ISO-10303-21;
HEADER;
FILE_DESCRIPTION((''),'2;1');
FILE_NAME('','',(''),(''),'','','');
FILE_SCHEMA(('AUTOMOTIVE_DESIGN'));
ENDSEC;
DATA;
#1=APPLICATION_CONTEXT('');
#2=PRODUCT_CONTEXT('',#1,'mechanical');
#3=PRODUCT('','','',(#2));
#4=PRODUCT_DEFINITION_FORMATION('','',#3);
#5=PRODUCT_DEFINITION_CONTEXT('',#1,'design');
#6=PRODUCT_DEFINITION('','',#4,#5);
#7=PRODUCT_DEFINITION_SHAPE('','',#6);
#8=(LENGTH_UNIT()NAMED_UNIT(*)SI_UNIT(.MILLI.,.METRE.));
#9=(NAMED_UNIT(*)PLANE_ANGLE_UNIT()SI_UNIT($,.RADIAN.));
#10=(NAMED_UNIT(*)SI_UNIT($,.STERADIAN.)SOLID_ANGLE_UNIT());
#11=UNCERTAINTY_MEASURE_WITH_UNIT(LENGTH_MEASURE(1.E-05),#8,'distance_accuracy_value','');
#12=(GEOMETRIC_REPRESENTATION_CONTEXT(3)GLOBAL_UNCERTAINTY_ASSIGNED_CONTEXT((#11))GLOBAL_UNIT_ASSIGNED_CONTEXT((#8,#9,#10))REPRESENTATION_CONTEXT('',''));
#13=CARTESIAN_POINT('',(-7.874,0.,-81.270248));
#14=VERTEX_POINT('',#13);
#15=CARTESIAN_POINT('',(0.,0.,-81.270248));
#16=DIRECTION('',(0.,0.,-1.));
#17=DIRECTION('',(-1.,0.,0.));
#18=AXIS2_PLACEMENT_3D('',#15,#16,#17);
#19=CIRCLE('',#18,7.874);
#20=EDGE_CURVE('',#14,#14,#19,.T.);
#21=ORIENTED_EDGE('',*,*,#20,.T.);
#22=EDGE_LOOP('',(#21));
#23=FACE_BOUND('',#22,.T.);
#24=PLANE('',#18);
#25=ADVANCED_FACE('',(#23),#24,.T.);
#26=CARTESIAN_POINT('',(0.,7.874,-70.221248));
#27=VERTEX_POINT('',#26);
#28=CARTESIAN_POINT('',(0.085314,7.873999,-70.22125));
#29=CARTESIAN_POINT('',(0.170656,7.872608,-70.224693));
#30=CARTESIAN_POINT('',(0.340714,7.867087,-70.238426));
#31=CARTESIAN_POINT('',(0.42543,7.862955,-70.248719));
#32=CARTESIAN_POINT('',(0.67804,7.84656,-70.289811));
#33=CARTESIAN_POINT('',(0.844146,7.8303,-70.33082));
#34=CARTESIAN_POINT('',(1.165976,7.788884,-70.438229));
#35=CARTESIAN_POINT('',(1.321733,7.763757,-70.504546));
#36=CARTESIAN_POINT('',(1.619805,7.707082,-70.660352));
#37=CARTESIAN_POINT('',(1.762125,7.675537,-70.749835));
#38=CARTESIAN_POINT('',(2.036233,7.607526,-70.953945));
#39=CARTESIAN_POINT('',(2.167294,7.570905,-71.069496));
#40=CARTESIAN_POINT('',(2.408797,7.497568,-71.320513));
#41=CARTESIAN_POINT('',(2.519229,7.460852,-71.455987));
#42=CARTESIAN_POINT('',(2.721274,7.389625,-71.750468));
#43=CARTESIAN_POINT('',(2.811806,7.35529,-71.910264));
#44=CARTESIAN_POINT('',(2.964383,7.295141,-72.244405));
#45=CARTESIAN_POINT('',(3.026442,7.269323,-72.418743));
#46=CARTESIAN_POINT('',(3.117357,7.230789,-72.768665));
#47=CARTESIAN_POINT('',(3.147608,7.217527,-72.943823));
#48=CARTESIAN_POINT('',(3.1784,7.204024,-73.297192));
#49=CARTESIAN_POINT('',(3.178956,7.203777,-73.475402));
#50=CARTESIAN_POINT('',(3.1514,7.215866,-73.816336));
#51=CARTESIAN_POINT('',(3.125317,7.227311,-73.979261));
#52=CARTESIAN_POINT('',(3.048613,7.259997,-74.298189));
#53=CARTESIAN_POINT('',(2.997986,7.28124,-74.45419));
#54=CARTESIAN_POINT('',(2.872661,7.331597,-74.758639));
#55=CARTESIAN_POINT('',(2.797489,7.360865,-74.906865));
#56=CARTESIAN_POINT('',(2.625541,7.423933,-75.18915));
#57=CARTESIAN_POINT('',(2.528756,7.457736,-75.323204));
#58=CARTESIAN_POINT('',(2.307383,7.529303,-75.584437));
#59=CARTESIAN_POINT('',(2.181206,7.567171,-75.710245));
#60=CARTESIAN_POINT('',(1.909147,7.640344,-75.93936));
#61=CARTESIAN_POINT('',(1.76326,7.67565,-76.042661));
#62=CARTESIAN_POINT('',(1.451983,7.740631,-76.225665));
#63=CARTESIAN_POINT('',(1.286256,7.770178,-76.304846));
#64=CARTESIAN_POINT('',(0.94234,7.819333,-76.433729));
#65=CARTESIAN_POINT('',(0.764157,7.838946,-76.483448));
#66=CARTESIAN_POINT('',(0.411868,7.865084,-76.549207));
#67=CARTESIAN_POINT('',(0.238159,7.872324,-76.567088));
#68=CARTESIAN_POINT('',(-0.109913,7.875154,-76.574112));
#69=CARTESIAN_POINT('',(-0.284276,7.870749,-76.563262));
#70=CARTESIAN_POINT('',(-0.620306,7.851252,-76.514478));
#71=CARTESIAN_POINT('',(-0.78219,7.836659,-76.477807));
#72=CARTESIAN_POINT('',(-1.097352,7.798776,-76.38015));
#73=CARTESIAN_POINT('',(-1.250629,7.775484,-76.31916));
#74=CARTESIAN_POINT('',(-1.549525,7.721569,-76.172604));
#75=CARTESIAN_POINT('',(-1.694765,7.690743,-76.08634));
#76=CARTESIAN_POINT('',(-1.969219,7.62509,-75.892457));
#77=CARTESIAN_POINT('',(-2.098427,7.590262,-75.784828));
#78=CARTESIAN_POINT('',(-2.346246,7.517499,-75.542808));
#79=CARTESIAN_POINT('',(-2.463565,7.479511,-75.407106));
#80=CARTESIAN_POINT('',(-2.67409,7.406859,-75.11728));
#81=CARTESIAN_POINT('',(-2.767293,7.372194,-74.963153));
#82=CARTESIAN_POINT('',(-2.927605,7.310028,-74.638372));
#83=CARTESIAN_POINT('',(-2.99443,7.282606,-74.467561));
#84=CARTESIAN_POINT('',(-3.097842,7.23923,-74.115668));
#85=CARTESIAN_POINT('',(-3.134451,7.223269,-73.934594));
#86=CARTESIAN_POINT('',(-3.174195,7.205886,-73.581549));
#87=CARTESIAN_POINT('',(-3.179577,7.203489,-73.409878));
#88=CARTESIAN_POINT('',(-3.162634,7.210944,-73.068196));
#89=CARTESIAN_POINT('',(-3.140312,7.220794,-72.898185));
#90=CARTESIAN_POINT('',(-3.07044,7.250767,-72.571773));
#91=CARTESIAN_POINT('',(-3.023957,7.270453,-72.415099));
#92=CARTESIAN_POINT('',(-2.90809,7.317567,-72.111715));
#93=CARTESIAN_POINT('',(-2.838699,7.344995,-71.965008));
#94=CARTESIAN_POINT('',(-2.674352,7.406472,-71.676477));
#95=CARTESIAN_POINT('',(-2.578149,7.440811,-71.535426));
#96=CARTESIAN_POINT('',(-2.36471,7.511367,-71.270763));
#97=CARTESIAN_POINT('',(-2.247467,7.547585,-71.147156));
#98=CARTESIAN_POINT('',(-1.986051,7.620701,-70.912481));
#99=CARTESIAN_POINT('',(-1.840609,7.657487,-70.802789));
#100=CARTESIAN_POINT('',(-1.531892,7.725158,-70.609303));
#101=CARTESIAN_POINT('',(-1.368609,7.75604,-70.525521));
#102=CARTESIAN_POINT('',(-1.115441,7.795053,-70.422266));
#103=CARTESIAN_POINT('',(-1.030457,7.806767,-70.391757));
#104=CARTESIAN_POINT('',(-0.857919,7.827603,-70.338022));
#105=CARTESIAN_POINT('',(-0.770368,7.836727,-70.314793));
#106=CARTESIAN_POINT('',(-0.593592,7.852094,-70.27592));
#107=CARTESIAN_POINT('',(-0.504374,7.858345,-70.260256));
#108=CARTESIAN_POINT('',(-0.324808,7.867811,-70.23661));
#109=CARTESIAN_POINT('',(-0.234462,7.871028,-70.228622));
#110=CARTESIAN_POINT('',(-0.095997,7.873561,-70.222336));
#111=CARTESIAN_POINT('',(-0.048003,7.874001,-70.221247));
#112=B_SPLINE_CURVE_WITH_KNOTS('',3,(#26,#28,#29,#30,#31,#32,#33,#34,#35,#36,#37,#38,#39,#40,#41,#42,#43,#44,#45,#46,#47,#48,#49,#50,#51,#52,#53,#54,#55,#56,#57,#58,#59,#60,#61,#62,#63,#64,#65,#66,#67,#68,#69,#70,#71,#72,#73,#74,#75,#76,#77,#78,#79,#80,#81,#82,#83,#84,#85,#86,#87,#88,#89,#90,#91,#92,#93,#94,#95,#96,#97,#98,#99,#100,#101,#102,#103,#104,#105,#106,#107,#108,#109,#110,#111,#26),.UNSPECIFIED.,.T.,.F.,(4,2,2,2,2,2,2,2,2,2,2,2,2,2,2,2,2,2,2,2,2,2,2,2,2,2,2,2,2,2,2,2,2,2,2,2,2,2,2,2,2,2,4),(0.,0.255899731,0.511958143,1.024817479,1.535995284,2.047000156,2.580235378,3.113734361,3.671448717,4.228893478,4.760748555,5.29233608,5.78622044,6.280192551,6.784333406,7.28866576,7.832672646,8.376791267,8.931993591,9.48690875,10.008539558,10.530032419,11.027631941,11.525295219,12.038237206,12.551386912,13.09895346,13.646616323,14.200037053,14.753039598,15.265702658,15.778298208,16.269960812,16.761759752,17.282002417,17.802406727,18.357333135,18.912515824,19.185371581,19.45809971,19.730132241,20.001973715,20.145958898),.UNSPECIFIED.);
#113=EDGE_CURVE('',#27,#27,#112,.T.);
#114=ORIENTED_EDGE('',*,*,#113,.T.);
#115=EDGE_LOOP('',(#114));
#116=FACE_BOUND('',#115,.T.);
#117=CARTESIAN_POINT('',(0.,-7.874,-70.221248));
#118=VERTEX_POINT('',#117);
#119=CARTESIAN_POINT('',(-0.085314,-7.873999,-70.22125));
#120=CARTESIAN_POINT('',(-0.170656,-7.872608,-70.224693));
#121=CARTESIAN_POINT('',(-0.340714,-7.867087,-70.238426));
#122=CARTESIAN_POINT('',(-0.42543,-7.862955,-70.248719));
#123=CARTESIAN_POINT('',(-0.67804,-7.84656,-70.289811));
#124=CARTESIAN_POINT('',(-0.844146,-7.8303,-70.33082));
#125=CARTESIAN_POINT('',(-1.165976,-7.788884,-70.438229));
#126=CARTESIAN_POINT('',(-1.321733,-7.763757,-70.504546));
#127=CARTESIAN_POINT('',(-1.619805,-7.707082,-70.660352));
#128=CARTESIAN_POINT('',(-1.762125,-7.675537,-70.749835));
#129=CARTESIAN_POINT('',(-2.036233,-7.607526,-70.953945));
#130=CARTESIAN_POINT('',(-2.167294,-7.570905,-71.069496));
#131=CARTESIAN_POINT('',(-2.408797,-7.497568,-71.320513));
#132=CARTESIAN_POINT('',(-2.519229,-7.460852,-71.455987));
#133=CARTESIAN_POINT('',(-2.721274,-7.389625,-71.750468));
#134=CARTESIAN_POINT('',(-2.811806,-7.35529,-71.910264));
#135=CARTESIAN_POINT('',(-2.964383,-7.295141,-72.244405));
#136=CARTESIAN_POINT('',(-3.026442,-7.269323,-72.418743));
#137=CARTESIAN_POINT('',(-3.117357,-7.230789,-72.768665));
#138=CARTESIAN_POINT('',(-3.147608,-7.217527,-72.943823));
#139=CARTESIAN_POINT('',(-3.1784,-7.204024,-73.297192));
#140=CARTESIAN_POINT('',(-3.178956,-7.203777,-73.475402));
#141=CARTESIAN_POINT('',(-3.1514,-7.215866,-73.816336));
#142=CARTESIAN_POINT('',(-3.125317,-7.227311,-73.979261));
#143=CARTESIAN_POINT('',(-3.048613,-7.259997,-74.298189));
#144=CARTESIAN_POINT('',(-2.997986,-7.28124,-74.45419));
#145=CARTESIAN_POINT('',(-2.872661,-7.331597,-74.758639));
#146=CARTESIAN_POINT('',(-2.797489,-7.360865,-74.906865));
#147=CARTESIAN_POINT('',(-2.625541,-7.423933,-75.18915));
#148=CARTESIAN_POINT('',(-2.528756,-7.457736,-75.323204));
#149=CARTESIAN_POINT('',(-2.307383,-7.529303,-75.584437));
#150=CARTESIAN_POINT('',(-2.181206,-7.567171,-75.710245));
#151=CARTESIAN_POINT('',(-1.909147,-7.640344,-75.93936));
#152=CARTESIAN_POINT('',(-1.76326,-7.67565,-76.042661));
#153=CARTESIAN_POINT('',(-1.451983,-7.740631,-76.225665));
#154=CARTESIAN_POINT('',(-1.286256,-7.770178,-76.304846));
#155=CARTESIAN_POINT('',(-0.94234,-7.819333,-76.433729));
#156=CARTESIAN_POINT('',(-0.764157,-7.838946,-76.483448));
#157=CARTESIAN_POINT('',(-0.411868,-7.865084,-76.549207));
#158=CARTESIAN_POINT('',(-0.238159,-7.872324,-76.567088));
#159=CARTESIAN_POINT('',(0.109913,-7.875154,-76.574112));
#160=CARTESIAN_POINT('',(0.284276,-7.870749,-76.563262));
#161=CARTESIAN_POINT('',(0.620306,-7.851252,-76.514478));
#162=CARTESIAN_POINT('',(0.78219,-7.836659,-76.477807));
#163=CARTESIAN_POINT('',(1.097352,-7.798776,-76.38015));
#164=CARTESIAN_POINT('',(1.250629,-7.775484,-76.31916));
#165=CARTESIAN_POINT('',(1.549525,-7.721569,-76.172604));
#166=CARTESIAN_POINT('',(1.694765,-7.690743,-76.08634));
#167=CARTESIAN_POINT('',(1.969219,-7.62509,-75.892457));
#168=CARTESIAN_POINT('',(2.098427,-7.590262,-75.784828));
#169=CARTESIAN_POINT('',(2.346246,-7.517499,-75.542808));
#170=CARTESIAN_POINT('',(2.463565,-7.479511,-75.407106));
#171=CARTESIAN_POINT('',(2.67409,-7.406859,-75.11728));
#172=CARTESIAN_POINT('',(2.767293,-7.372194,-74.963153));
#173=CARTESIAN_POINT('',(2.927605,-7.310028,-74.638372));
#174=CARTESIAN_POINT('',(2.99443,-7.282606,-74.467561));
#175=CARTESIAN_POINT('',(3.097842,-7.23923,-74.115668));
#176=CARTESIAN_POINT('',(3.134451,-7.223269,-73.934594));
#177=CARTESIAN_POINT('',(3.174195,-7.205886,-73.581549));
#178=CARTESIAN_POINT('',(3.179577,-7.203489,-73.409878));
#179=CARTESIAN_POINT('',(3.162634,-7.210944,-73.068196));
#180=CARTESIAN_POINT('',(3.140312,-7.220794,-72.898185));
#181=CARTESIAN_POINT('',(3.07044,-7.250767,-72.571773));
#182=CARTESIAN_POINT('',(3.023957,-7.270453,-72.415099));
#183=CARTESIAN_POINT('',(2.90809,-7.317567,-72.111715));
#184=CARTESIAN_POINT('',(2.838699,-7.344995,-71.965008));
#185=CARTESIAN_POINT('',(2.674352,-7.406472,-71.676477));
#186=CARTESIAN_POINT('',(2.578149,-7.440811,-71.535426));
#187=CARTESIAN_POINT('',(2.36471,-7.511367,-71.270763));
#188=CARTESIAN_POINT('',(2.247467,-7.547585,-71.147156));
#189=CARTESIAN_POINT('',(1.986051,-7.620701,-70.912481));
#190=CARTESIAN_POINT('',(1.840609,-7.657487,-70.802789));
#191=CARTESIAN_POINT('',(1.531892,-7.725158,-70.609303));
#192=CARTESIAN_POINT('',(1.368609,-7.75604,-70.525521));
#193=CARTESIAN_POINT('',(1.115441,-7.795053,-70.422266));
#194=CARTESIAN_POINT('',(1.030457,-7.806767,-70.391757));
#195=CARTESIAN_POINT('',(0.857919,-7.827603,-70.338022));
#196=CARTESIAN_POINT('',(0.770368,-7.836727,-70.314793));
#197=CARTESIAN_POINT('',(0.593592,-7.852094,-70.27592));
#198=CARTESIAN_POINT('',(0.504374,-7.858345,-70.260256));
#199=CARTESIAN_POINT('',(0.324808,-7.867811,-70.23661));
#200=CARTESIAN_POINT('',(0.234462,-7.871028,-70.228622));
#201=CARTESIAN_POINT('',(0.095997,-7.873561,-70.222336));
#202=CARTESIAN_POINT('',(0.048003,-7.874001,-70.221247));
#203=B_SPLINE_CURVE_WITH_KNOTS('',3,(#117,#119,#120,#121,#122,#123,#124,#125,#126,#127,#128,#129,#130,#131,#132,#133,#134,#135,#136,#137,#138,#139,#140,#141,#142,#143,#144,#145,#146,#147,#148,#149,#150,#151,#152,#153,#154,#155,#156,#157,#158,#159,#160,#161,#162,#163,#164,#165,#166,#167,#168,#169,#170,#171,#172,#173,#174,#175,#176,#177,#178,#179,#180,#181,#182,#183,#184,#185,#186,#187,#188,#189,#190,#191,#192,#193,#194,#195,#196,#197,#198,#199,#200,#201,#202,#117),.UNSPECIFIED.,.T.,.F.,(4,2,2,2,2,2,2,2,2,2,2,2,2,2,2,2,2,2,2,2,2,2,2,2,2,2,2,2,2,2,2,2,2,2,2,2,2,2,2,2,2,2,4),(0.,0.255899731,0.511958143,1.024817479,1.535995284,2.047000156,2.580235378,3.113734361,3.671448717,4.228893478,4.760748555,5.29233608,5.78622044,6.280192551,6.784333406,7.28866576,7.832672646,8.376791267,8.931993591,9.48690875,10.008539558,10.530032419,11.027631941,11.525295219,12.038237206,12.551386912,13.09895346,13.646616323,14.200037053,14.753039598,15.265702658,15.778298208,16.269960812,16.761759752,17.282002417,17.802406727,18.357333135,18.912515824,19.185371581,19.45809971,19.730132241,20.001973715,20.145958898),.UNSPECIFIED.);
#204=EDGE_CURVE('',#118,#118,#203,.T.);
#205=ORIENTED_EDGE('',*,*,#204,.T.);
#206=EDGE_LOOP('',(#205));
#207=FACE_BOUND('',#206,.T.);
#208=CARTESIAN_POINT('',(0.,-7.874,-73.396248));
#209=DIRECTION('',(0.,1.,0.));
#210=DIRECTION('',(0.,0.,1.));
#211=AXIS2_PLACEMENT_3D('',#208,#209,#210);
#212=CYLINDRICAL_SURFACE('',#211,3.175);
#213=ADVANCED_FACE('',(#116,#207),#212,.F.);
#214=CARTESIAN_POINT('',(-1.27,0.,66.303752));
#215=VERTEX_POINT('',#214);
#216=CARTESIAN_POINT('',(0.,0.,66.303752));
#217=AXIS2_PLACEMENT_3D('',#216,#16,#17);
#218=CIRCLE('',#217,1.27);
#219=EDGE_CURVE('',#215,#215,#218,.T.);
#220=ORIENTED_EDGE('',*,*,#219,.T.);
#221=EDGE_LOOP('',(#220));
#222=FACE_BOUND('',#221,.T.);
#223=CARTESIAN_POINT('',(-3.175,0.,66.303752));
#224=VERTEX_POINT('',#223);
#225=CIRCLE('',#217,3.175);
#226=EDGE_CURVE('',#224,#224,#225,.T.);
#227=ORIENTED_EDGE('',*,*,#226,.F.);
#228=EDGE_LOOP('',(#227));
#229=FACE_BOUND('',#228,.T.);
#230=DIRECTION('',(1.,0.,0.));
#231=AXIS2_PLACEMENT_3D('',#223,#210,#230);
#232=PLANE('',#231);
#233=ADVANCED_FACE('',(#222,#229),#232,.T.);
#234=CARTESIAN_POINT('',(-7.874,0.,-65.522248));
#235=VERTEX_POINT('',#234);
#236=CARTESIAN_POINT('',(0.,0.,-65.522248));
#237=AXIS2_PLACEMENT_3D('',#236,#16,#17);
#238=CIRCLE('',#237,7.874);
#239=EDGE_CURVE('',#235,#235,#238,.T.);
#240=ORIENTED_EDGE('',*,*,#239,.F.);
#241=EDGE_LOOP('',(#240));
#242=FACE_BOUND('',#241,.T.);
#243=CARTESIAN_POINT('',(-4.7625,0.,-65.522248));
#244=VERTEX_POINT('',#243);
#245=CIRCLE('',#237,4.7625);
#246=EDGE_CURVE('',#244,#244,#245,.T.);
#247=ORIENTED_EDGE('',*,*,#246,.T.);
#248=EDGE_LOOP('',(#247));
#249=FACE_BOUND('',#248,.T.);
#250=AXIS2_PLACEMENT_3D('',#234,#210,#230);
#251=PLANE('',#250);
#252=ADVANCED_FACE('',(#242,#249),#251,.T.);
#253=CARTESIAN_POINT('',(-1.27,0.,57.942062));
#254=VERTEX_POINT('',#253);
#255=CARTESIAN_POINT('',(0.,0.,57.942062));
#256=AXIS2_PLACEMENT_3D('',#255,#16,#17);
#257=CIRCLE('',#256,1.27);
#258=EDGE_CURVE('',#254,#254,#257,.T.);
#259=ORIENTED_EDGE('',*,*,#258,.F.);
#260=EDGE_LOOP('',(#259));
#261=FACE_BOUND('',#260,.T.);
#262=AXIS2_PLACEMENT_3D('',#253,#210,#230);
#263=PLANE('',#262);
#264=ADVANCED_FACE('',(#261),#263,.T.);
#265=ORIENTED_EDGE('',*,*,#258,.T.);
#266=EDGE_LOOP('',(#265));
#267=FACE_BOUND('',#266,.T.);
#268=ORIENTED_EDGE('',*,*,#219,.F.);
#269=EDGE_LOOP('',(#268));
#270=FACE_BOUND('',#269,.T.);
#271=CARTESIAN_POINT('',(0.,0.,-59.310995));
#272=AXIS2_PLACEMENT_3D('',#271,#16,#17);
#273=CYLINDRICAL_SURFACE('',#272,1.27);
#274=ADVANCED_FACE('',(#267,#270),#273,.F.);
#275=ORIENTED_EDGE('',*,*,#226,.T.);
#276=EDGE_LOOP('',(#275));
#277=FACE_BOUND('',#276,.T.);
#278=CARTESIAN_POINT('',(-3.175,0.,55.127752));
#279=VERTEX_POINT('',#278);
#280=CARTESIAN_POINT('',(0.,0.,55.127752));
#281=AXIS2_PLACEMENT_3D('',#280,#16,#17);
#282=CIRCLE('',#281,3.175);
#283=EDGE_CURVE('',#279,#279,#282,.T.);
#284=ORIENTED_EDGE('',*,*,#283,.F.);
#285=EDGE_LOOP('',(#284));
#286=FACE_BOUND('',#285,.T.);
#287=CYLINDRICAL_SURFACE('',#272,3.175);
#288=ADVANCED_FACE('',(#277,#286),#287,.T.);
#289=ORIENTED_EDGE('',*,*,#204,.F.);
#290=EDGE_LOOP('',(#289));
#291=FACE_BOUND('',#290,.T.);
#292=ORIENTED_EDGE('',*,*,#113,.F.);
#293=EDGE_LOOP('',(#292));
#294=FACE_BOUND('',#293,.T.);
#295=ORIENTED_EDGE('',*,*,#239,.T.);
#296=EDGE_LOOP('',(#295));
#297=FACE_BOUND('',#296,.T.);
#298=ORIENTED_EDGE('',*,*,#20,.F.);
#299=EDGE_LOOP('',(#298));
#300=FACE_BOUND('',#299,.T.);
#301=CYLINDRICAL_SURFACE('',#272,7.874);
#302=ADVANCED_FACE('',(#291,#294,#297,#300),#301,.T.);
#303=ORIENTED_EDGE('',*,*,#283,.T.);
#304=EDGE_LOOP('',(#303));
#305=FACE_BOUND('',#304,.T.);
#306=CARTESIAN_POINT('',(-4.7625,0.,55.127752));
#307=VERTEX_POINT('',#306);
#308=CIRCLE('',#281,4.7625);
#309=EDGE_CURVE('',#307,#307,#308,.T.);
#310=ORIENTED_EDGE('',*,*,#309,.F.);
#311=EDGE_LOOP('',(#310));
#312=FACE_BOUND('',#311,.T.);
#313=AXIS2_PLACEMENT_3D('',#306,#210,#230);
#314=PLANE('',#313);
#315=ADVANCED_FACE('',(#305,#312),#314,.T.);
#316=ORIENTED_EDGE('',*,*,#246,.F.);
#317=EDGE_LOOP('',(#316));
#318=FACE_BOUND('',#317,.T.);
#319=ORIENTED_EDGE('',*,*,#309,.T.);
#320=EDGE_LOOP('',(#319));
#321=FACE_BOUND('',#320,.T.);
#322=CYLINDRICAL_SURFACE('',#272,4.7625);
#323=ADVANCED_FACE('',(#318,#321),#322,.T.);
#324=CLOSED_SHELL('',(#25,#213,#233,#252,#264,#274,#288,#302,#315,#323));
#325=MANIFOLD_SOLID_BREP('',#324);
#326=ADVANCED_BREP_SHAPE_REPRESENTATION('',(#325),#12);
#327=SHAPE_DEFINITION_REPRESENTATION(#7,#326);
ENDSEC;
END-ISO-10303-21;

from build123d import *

# Parameters (mm, degrees)
CUT_EXTRUDE1_DEPTH      = 83.029585714
CUT_EXTRUDE1_DEPTH_BACK = 83.029585714
SKETCH2_R               = 3.175


with BuildPart() as part:
    # Sketch1 → Revolve1 (revolve)
    with BuildSketch(Plane(origin=(0, 0, 0), x_dir=(1, 0, 0), z_dir=(0, 1, 0))):
        Polygon((0, 81.270247818), (-7.874, 81.270247818), (-7.874, 65.522247818), (-4.7625, 65.522247818), (-4.7625, -55.127752182), (-3.175, -55.127752182), (-3.175, -66.303752182), (-1.27, -66.303752182), (-1.27, -57.942062416), (0, -57.942062416), align=None)
    revolve(axis=Axis((0, 0, -59.310994764), (0, 0, 1)))

    # Sketch2 → Cut-Extrude1 (cut, two sides: drawn at the far end of the back side and taken through both)
    with BuildSketch(Plane(origin=(0, 0, 0), x_dir=(1, 0, 0), z_dir=(0, 1, 0)).offset(-CUT_EXTRUDE1_DEPTH_BACK)):
        with Locations(Location((0, 73.396247818, 0), (0, 0, 270))):
            Circle(SKETCH2_R)
    extrude(amount=CUT_EXTRUDE1_DEPTH + CUT_EXTRUDE1_DEPTH_BACK, mode=Mode.SUBTRACT)


solid = part.part
